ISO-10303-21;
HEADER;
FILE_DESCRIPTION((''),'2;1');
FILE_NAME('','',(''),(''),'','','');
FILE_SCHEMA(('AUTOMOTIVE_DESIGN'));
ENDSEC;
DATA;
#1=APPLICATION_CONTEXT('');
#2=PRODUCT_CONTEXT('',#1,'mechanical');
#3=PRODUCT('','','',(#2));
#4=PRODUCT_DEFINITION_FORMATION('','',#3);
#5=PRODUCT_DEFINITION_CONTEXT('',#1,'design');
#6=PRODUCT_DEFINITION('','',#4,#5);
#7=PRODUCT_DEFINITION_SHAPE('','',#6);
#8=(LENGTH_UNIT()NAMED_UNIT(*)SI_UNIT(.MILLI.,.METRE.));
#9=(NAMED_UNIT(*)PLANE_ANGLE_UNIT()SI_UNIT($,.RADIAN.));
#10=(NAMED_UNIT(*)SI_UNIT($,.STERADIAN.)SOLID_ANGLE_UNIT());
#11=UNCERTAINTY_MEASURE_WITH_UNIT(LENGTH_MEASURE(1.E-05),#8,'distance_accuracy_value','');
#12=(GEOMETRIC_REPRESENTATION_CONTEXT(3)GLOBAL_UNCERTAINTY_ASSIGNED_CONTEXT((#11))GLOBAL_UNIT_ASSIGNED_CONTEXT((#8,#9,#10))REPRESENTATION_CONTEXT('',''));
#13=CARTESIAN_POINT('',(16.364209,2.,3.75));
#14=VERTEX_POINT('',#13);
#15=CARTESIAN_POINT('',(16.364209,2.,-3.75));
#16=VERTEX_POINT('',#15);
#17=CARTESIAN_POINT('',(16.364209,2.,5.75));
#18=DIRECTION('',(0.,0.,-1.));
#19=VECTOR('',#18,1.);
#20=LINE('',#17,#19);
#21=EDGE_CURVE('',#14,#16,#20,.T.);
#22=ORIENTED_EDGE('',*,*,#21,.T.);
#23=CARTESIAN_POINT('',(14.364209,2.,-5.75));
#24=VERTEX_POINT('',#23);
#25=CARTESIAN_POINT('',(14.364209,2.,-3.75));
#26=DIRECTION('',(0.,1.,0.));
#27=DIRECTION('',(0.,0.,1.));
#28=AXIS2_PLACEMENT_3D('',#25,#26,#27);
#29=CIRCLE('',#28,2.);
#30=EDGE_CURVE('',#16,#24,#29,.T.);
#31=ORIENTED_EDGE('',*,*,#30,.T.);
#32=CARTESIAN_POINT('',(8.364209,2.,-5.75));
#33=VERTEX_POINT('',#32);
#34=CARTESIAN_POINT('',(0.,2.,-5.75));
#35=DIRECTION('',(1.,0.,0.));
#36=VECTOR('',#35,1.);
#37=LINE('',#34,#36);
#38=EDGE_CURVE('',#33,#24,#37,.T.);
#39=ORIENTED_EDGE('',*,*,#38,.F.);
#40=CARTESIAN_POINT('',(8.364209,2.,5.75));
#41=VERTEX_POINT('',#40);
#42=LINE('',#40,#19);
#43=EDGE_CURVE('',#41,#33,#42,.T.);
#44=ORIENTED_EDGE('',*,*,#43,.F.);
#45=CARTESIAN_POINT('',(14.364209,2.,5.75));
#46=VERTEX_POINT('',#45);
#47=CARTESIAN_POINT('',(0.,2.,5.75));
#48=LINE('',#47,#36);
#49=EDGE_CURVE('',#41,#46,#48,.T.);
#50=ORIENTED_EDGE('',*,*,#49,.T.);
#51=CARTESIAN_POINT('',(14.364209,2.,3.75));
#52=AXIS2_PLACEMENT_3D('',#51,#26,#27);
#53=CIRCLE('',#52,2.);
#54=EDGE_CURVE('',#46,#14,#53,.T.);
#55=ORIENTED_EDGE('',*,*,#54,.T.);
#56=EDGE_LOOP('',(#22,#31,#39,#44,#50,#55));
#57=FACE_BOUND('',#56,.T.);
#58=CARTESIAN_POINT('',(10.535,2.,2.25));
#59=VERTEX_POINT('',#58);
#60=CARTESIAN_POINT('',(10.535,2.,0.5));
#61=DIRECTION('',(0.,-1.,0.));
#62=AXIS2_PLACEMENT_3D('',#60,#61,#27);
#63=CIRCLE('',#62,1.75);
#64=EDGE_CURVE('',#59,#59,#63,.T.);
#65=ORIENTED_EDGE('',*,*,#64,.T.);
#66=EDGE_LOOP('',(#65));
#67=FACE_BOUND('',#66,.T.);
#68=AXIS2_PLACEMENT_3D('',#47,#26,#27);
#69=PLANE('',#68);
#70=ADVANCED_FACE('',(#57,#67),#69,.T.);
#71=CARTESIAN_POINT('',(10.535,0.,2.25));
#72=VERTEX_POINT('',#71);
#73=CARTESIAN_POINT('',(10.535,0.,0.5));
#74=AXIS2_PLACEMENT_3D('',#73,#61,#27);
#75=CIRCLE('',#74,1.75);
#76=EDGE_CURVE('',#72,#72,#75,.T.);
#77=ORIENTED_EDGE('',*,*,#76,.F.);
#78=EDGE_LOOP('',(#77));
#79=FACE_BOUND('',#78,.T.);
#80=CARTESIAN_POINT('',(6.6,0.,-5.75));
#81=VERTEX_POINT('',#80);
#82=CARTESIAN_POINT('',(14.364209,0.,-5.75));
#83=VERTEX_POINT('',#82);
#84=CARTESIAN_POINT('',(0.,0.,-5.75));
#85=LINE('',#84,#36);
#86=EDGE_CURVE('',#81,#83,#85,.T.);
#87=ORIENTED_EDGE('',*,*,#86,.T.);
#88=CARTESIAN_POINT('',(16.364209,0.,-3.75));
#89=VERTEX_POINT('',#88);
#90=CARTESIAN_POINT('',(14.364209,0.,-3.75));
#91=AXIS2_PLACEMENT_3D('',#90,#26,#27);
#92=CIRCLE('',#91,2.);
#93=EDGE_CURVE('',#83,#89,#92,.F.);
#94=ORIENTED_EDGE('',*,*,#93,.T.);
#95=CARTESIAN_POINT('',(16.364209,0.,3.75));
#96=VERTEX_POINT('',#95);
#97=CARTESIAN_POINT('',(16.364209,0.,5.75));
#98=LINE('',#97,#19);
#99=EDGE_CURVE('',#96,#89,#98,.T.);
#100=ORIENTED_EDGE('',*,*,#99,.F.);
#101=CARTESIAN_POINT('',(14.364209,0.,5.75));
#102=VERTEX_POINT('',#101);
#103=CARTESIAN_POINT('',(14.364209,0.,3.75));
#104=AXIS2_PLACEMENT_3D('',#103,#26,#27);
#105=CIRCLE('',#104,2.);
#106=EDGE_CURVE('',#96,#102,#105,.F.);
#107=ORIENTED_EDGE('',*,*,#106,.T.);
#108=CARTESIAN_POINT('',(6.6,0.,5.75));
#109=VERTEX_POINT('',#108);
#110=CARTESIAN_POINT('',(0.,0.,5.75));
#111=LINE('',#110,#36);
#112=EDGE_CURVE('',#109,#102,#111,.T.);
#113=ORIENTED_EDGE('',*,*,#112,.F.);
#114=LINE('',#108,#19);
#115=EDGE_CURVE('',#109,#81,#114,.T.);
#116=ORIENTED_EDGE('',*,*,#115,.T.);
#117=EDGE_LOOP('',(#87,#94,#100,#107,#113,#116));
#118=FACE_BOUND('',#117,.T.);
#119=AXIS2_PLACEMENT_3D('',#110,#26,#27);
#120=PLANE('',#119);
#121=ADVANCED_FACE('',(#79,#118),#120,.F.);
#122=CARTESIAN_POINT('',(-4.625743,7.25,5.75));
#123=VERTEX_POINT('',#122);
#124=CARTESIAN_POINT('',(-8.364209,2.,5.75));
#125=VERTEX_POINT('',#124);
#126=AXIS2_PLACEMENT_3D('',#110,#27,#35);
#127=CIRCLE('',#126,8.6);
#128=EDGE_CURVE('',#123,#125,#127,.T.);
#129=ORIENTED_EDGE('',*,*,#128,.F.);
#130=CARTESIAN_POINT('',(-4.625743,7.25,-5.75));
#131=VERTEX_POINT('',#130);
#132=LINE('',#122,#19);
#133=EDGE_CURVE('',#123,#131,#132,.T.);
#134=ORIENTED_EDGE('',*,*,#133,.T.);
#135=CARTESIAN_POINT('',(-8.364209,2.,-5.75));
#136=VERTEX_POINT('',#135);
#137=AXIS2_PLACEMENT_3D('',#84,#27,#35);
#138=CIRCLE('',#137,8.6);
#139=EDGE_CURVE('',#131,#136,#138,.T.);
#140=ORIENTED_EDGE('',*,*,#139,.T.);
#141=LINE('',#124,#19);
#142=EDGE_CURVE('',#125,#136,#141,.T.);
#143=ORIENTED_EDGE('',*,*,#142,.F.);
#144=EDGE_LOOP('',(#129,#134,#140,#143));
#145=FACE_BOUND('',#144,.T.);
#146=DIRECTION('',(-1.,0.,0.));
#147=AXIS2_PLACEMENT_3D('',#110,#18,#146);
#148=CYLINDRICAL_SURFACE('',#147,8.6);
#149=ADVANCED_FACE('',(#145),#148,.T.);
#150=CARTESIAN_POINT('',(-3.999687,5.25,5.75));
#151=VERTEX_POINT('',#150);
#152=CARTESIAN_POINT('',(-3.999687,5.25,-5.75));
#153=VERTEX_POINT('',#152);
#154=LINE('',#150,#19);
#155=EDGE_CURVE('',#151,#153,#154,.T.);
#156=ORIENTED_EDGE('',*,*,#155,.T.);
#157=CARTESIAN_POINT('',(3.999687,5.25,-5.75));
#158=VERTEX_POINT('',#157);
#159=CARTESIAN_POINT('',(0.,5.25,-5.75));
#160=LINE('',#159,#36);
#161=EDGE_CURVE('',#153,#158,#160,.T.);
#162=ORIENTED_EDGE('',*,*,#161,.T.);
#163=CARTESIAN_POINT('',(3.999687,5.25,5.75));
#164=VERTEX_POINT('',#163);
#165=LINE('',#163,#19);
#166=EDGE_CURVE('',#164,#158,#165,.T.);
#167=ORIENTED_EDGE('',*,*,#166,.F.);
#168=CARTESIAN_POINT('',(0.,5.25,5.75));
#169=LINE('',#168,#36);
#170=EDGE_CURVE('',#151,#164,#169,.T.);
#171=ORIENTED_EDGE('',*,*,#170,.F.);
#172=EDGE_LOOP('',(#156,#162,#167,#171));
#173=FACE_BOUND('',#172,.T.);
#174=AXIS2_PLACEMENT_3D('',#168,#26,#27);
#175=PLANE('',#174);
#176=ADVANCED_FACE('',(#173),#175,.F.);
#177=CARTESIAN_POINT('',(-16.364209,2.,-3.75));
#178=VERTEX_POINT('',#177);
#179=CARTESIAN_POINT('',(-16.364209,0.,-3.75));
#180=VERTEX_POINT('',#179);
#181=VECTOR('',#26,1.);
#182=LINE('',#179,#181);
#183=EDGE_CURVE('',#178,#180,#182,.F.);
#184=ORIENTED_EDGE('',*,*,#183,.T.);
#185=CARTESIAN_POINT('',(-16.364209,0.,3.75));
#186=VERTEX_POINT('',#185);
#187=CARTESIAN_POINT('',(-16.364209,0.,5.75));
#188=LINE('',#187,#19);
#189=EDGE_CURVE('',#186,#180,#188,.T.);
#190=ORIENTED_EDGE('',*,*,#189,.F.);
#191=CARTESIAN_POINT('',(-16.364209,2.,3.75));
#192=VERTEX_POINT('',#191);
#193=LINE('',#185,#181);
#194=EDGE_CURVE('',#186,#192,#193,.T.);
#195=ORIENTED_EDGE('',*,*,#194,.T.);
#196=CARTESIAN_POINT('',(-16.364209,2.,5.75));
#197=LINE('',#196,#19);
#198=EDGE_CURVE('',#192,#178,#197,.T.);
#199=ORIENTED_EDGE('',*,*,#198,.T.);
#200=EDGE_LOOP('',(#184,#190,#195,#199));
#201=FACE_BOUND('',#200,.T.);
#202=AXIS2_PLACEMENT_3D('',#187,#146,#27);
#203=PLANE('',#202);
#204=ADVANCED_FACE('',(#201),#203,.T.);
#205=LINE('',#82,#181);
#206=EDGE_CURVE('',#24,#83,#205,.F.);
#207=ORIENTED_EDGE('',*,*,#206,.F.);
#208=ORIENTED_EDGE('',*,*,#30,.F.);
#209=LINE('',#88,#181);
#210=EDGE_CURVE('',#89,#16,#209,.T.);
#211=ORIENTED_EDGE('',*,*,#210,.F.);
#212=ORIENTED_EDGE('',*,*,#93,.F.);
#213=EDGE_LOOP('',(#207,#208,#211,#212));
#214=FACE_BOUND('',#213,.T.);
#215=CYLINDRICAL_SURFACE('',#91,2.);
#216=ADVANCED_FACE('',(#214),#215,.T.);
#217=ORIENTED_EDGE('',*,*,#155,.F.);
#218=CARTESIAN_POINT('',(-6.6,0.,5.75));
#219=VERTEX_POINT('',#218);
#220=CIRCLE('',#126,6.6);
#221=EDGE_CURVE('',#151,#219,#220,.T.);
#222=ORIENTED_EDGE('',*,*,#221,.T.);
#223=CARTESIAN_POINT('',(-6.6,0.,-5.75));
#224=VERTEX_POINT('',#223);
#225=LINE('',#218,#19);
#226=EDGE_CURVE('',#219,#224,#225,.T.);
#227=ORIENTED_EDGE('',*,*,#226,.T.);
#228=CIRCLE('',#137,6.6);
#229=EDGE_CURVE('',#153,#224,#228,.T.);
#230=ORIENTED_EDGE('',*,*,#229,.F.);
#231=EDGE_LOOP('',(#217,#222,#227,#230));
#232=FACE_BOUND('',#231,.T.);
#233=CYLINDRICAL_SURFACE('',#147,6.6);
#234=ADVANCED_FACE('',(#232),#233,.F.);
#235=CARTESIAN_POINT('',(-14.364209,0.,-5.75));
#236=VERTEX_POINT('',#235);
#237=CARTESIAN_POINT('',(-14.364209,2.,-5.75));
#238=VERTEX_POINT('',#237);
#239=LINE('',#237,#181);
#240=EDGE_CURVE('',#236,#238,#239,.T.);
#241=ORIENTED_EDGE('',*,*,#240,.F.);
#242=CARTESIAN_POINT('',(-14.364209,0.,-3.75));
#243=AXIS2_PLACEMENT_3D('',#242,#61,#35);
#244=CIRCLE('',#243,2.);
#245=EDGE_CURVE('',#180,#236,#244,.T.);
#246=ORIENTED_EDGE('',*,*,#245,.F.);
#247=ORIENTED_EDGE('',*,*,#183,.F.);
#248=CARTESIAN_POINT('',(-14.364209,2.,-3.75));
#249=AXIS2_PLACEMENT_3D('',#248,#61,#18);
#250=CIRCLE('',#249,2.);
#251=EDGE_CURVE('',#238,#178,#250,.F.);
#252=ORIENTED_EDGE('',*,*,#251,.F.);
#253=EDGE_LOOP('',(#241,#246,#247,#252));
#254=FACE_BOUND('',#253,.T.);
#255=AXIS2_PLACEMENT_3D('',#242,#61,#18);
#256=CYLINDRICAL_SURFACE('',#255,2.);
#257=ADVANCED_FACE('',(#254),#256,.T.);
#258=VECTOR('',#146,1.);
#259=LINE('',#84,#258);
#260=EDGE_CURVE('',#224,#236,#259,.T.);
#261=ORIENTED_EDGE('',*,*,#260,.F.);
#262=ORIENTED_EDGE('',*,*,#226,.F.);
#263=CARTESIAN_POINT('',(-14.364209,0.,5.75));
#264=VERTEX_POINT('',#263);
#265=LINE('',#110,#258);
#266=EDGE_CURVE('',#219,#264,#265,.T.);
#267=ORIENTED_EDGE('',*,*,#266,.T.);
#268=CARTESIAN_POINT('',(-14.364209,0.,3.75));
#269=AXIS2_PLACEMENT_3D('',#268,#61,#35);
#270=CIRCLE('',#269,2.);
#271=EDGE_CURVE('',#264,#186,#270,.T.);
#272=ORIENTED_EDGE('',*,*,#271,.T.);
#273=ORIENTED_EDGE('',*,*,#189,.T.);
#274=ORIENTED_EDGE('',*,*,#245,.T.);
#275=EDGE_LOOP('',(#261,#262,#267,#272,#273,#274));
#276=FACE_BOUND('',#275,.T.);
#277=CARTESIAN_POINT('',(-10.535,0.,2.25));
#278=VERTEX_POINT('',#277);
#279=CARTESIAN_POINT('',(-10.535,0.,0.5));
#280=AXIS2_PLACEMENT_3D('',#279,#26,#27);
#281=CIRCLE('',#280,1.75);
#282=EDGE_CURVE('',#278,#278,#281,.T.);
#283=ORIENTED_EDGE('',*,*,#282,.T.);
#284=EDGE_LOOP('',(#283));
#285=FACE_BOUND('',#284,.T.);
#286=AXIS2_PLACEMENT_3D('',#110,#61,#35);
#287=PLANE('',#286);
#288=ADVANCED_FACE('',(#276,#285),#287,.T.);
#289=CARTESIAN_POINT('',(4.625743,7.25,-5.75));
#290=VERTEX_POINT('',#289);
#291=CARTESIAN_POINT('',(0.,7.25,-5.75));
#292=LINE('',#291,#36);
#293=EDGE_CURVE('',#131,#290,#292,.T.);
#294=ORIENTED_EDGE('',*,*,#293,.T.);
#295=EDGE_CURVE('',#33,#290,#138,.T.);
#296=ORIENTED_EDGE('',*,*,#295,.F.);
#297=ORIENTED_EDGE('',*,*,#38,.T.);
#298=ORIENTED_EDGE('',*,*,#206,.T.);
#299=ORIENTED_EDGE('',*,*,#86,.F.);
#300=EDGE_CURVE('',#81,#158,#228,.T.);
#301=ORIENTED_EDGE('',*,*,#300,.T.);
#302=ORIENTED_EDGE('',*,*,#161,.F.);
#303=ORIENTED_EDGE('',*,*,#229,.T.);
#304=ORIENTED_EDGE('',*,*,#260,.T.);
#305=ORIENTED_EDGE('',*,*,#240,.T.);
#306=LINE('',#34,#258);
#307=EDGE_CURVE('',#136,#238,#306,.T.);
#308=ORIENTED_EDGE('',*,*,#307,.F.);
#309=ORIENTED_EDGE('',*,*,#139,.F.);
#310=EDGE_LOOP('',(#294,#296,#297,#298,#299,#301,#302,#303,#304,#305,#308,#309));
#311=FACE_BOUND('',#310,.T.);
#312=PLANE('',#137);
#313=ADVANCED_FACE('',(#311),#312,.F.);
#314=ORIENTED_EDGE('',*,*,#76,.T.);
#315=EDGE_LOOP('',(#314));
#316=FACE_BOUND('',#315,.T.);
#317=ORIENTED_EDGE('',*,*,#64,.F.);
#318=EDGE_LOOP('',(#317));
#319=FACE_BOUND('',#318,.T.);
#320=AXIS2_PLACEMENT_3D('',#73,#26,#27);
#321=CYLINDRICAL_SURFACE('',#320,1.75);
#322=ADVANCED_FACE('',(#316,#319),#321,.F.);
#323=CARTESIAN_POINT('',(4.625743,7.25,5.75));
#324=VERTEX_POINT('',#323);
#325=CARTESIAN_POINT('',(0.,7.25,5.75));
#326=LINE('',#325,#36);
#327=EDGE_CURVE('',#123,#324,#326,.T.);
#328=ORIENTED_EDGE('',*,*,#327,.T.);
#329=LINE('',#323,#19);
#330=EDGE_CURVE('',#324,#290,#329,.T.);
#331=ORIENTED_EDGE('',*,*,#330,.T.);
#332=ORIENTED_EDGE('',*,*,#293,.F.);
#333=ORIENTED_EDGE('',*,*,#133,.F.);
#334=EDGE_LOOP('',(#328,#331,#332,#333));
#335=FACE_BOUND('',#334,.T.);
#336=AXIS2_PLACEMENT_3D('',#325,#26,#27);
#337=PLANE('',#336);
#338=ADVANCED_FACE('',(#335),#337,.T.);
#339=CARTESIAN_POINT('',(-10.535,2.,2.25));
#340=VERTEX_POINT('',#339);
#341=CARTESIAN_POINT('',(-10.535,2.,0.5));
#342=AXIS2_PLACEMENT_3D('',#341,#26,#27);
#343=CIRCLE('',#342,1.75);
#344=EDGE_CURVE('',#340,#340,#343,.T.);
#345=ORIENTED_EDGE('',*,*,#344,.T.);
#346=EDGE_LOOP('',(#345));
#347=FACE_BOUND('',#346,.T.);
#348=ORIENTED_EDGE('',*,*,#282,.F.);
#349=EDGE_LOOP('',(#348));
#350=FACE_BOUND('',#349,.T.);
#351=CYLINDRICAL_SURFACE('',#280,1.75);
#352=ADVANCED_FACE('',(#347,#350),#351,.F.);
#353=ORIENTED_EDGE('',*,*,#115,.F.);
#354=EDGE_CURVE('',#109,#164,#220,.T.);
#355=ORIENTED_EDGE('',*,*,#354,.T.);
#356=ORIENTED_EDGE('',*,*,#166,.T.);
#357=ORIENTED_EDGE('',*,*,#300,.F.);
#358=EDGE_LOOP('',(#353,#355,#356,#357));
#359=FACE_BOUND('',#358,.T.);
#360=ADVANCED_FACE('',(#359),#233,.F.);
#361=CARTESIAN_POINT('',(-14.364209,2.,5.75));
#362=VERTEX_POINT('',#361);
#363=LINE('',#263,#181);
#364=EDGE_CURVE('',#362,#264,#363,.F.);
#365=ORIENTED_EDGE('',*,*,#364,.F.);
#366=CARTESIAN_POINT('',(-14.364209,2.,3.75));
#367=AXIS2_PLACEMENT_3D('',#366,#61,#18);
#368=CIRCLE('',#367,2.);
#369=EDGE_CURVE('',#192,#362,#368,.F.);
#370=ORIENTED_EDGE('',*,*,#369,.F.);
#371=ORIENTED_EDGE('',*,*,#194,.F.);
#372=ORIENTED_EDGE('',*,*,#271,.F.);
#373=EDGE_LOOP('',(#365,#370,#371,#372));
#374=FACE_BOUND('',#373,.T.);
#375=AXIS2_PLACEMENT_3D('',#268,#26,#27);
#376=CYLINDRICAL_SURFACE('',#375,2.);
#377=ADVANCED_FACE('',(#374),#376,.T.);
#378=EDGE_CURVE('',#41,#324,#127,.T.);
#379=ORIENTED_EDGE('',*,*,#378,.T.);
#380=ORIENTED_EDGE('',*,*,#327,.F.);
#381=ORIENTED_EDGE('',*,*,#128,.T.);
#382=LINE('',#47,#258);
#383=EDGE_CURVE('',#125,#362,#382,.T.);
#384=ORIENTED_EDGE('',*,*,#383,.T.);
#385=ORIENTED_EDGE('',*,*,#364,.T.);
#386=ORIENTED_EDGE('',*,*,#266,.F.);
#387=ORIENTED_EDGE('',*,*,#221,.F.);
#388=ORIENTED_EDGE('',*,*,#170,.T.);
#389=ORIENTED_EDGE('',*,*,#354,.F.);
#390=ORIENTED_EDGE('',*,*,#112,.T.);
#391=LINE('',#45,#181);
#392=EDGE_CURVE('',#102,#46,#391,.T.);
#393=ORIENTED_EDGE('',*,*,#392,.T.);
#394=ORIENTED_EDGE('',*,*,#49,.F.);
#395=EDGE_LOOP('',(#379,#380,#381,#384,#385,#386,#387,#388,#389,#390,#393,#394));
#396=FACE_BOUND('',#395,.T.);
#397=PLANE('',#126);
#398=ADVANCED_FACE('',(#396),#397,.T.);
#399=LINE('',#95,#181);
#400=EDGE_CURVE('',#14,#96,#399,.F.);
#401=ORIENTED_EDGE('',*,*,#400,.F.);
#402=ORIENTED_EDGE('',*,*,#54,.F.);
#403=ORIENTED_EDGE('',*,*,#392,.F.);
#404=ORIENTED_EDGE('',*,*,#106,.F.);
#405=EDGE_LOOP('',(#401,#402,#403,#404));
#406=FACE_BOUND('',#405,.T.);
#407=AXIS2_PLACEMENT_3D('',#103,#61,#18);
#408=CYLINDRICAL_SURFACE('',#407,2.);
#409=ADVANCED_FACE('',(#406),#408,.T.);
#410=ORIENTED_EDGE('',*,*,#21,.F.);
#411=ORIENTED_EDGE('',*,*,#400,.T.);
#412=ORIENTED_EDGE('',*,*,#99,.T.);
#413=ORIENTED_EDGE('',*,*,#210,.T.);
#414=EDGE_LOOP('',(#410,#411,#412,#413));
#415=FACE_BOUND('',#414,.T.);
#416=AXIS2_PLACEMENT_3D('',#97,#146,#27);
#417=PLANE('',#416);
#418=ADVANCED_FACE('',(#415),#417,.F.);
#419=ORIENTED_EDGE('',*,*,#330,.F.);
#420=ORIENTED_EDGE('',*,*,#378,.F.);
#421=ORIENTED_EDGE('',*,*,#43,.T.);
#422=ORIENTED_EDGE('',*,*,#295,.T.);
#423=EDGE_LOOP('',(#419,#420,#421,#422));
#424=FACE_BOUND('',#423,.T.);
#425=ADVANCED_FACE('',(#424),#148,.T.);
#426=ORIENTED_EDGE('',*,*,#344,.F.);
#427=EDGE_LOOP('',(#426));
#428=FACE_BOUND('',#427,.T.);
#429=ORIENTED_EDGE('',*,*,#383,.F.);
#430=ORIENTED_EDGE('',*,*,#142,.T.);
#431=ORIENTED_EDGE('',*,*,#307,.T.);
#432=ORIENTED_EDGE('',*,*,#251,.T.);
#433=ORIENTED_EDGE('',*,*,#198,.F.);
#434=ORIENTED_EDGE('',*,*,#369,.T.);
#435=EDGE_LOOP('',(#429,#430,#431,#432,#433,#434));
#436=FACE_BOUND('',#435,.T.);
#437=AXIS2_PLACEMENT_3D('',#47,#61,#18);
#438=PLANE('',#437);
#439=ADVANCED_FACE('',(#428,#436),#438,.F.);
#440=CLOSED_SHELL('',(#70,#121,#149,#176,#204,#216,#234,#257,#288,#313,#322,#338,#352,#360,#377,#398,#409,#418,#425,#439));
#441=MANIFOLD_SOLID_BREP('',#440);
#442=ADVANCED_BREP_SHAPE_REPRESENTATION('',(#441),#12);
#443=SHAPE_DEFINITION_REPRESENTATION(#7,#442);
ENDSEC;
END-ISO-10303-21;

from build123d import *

# Parameters (mm, degrees)
BOSS_EXTRUDE1_DEPTH   = 5.75
BOSS_EXTRUDE1_2_DEPTH = 5.75
BOSS_EXTRUDE2_DEPTH   = 5.75
SKETCH3_R             = 1.75
CUT_EXTRUDE2_DEPTH    = 19.122150851
FILLET1_R             = 2


with BuildPart() as part:
    # Sketch2 → Boss-Extrude1 (new, symmetric)
    with BuildSketch(Plane.XY):
        with BuildLine():
            Line((-16.364209467, 0), (-8.6, 0))
            ThreePointArc((-8.6, 0), (-8.540848945, 1.006925665), (-8.364209467, 2))
            Line((-8.364209467, 2), (-16.364209467, 2))
            Line((-16.364209467, 2), (-16.364209467, 0))
        make_face()
    extrude(amount=BOSS_EXTRUDE1_DEPTH, both=True)



with BuildPart() as body_2:
    # Sketch2 → Boss-Extrude1 2 (new, symmetric)
    with BuildSketch(Plane.XY):
        with BuildLine():
            ThreePointArc((8.364209467, 2), (8.540848945, 1.006925665), (8.6, 0))
            Line((8.6, 0), (16.364209467, 0))
            Line((16.364209467, 0), (16.364209467, 2))
            Line((16.364209467, 2), (8.364209467, 2))
        make_face()
    extrude(amount=BOSS_EXTRUDE1_2_DEPTH, both=True)


with BuildPart() as part_1:
    add(part.part)

    add(body_2.part)  # Boss-Extrude2 merges body 2
    # Sketch2<4> → Boss-Extrude2 (add, symmetric)
    with BuildSketch(Plane.XY):
        with BuildLine():
            Line((-8.6, 0), (-6.6, 0))
            ThreePointArc((-6.6, 0), (-5.914302048, 2.929339736), (-3.999687488, 5.25))
            Line((-3.999687488, 5.25), (3.999687488, 5.25))
            ThreePointArc((3.999687488, 5.25), (5.914302048, 2.929339736), (6.6, 0))
            Line((6.6, 0), (8.6, 0))
            ThreePointArc((8.6, 0), (8.540848945, 1.006925665), (8.364209467, 2))
            ThreePointArc((8.364209467, 2), (7.005379537, 4.988452419), (4.625743184, 7.25))
            Line((4.625743184, 7.25), (-4.625743184, 7.25))
            ThreePointArc((-4.625743184, 7.25), (-7.005379537, 4.988452419), (-8.364209467, 2))
            ThreePointArc((-8.364209467, 2), (-8.540848945, 1.006925665), (-8.6, 0))
        make_face()
    extrude(amount=BOSS_EXTRUDE2_DEPTH, both=True)

    # Sketch3 → Cut-Extrude2 (cut, through all)
    with BuildSketch(Plane(origin=(0, 2, 0), x_dir=(1, 0, 0), z_dir=(0, 1, 0))):
        with Locations((-10.535, -0.5)):
            Circle(SKETCH3_R)
    cut_extrude2 = extrude(amount=-CUT_EXTRUDE2_DEPTH, mode=Mode.SUBTRACT)

    # Mirror1: Cut-Extrude2 across plane
    add(cut_extrude2.mirror(Plane(origin=(0, 0, 0), x_dir=(0, 0, 1), z_dir=(1, 0, 0))), mode=Mode.SUBTRACT)

    # Fillet1
    fillet1_edges = [part_1.edges().sort_by_distance(p)[0] for p in [
        (-16.364209467, 1, 5.75),
        (-16.364209467, 1, -5.75),
        (16.364209467, 1, -5.75),
        (16.364209467, 1, 5.75),
    ]]
    fillet(fillet1_edges, radius=FILLET1_R)


solid = part_1.part
